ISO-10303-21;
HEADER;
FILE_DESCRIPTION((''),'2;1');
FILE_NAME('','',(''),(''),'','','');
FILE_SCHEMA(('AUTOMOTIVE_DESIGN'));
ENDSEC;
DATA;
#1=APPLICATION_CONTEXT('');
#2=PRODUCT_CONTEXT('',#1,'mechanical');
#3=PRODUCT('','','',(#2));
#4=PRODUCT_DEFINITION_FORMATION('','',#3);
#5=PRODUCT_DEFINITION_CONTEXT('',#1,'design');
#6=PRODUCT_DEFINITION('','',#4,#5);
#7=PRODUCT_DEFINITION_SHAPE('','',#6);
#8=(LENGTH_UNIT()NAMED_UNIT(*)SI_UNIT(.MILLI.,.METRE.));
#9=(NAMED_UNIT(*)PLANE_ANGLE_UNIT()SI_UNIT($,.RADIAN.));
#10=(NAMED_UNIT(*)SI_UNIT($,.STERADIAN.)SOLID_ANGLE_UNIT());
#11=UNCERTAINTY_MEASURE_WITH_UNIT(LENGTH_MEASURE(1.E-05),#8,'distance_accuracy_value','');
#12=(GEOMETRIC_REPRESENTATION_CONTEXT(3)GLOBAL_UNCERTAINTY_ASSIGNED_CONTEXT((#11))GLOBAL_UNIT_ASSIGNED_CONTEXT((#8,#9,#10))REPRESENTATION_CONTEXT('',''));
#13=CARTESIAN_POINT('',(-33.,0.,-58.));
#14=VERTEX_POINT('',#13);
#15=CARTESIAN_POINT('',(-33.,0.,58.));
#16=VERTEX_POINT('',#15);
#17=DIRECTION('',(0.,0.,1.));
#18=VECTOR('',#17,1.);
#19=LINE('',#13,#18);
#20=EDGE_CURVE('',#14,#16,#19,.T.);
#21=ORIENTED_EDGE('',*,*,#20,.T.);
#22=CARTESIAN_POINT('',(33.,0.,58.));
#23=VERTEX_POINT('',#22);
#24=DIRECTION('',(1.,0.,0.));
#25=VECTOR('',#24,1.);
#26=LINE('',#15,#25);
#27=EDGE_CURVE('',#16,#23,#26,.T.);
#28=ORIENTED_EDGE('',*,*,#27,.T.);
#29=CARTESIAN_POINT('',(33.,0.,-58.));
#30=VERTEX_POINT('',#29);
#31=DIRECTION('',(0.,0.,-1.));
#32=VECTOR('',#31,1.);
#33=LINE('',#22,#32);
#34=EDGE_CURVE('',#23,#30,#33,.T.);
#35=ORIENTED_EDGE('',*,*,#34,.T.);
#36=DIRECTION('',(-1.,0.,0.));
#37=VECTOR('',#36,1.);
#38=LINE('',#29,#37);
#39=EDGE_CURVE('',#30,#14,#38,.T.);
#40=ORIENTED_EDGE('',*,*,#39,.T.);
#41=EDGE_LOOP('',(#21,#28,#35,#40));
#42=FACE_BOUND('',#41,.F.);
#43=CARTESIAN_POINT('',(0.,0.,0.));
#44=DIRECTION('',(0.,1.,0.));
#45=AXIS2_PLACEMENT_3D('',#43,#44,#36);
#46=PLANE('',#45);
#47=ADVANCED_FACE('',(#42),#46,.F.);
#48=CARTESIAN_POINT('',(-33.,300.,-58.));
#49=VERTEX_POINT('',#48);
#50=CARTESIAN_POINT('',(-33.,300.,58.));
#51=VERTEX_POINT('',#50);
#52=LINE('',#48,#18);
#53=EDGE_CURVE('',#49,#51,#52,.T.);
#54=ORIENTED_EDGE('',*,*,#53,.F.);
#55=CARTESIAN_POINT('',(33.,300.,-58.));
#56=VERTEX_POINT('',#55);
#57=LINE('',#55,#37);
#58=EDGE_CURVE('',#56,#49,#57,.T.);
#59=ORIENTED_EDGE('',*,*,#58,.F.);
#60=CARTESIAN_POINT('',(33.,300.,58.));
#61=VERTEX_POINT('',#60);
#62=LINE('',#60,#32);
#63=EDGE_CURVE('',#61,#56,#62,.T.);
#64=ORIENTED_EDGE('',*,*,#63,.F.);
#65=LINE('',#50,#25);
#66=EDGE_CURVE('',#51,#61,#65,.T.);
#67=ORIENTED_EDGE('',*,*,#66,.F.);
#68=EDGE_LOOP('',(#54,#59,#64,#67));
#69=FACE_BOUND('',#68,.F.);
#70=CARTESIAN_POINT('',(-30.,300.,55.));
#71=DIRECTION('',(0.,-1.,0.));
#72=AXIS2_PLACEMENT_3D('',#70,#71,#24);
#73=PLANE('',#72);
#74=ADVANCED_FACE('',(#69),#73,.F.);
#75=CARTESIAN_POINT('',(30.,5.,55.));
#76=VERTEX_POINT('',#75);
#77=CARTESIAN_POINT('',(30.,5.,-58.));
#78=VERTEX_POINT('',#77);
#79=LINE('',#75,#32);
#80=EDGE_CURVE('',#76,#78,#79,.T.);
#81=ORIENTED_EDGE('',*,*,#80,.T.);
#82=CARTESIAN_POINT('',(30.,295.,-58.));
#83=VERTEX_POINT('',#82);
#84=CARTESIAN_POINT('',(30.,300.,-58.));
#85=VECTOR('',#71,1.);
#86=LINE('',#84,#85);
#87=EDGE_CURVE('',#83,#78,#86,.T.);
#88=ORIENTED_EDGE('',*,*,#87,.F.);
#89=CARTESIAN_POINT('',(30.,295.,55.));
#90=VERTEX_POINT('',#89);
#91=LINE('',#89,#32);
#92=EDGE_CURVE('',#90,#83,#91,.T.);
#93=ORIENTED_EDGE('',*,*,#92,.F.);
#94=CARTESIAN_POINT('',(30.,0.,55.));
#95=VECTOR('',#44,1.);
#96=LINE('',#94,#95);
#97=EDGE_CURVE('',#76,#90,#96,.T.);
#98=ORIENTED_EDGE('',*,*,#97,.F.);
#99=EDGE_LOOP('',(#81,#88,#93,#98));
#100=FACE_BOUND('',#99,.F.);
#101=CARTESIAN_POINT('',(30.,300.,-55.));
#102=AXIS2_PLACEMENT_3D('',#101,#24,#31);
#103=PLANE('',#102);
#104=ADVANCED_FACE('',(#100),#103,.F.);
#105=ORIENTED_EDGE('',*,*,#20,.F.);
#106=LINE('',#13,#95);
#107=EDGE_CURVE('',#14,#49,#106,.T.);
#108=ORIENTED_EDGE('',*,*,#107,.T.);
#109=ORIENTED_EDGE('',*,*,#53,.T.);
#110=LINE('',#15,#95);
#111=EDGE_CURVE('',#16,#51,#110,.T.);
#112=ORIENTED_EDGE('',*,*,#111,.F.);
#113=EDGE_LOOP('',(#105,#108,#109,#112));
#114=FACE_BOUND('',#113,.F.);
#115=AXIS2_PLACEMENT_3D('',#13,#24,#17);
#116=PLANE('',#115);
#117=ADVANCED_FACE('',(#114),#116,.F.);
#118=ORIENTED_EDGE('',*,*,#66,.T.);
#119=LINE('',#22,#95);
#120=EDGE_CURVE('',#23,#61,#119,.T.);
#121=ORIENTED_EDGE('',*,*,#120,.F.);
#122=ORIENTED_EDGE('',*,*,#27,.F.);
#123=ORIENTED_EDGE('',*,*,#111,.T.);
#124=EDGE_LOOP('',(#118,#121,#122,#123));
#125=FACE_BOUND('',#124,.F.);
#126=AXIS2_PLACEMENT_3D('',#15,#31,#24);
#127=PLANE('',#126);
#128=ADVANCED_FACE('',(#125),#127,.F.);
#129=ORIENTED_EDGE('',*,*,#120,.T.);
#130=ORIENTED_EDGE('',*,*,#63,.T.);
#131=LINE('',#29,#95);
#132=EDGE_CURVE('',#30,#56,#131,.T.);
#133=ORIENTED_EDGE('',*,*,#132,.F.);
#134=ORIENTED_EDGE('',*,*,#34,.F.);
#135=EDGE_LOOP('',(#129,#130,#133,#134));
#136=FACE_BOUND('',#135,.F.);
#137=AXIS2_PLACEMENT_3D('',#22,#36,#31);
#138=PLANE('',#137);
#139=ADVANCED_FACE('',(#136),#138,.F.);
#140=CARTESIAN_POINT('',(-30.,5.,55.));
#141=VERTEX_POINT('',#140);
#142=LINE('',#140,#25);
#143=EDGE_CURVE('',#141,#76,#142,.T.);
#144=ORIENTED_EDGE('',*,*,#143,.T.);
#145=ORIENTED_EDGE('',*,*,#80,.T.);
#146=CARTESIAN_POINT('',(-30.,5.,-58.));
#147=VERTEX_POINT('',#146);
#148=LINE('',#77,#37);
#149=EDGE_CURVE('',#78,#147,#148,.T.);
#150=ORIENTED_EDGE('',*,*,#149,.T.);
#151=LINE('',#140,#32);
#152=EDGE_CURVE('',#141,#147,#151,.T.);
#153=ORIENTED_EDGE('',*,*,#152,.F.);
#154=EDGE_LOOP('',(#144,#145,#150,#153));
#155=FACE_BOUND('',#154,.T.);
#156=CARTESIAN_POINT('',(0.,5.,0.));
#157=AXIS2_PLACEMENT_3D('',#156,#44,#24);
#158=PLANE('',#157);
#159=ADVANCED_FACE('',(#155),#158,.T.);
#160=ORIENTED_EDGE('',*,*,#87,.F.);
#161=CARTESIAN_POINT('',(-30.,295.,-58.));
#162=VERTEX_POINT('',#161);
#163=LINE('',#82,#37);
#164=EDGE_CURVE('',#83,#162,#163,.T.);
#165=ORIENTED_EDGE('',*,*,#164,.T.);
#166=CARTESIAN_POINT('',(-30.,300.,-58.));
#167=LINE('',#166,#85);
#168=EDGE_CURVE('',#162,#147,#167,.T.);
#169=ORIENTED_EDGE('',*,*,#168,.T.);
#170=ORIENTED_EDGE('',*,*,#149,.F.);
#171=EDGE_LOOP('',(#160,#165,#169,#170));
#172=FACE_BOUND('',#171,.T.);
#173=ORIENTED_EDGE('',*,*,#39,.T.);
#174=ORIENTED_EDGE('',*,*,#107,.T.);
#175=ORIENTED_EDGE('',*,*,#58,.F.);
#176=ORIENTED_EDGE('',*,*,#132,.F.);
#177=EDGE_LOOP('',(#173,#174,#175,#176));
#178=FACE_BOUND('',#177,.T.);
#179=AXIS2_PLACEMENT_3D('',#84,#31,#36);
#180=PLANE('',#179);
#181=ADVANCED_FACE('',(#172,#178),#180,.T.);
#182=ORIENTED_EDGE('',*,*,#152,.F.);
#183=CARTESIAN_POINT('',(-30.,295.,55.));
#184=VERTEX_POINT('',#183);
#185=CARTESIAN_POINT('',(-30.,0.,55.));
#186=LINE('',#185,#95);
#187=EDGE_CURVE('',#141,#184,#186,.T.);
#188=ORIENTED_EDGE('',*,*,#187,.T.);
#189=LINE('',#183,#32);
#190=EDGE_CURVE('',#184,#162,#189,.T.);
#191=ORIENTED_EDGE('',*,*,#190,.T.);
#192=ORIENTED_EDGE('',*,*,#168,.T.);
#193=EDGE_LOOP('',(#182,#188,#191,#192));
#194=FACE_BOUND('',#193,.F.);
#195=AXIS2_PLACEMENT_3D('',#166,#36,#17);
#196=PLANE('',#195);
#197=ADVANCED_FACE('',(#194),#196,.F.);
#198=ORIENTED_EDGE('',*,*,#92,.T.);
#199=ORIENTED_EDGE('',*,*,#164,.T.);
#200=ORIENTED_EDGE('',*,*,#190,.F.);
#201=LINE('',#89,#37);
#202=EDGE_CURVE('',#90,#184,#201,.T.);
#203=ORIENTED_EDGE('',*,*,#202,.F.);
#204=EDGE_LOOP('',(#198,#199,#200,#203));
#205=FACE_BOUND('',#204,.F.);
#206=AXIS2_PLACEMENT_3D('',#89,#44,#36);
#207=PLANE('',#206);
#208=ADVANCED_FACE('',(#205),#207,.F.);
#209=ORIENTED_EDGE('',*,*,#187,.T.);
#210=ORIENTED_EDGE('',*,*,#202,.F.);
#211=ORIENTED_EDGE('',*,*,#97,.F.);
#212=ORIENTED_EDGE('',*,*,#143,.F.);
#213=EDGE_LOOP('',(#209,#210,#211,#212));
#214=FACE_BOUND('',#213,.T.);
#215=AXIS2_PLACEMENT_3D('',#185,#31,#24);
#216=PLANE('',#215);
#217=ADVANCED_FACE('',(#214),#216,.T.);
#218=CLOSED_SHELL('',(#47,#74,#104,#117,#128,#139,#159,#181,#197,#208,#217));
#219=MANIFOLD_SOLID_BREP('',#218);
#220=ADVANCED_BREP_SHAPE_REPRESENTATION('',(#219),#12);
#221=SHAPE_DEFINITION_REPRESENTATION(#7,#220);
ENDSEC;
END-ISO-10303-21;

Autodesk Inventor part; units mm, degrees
ref_plane "YZ Plane" through (0, 0, 0) normal (1, 0, 0) x (0, 1, 0)
ref_plane "XZ Plane" through (0, 0, 0) normal (0, 1, 0) x (-1, 0, 0)
ref_plane "XY Plane" through (0, 0, 0) normal (0, 0, 1) x (1, 0, 0)
sketch "Boceto1" plane through (0, 0, 0) normal (0, 1, 0) x (-1, 0, 0)
  line L0 (30, 55) -> (-30, 55)
  line L1 (-30, 55) -> (-30, -55)
  line L2 (-30, -55) -> (30, -55)
  line L3 (30, -55) -> (30, 55)
  line L4 (33, 58) -> (-33, 58)
  line L5 (-33, 58) -> (-33, -58)
  line L6 (-33, -58) -> (33, -58)
  line L7 (33, -58) -> (33, 58)
  point P0 (0, 0)
  point P1 (0, -55)
  point P2 (30, 0)
  dimension "d0" = 110
  dimension "d1" = 60
  dimension "d2" = 3
  dimension "d3" = 3
  dimension "d4" = 3
  dimension "d5" = 3
extrude "Extrusión1" add sketch "Boceto1" along normal blind 300
sketch "Boceto2" plane through (0, 300, 0) normal (0, 1, 0) x (1, 0, 0)
  line L0 (33, -58) -> (33, 58) construction
  line L1 (33, 58) -> (-33, 58) construction
  line L2 (-33, 58) -> (-33, -58) construction
  line L3 (-33, -58) -> (33, -58) construction
  line L4 (-30, -55) -> (-30, 55) construction
  line L5 (-30, 55) -> (30, 55) construction
  line L6 (30, 55) -> (30, -55) construction
  line L7 (30, -55) -> (-30, -55) construction
  line L8 (-30, -55) -> (-30, 55) projected
  line L9 (-30, 55) -> (30, 55)
  line L10 (30, 55) -> (30, 58)
  line L11 (30, 58) -> (-30, 58)
  line L12 (-30, 58) -> (-30, 55)
  point P0 (0, 0)
extrude "Extrusión2" cut sketch "Boceto2" against normal blind 295
extrude "Extrusión3" add sketch "Boceto1" along normal blind 5 contours L3 L2 L1 L0
sketch "Boceto4" plane through (30, 300, 55) normal (0, 0, -1) x (-1, 0, 0)
  line L0 (0, -295) -> (60, -295) construction
  line L1 (60, -295) -> (60, 0) construction
  line L2 (0, 0) -> (60, 0) construction
  line L3 (0, -295) -> (0, 0) construction
  line L4 (0, -295) -> (0, 0) projected
  line L5 (60, 0) -> (0, 0)
  line L6 (0, 0) -> (0, -5)
  line L7 (0, -5) -> (60, -5)
  line L8 (60, -5) -> (60, 0)
  point P0 (30, -300)
  dimension "d12" = 5
extrude "Extrusión4" add sketch "Boceto4" along normal blind 113
properties part number "caja"
